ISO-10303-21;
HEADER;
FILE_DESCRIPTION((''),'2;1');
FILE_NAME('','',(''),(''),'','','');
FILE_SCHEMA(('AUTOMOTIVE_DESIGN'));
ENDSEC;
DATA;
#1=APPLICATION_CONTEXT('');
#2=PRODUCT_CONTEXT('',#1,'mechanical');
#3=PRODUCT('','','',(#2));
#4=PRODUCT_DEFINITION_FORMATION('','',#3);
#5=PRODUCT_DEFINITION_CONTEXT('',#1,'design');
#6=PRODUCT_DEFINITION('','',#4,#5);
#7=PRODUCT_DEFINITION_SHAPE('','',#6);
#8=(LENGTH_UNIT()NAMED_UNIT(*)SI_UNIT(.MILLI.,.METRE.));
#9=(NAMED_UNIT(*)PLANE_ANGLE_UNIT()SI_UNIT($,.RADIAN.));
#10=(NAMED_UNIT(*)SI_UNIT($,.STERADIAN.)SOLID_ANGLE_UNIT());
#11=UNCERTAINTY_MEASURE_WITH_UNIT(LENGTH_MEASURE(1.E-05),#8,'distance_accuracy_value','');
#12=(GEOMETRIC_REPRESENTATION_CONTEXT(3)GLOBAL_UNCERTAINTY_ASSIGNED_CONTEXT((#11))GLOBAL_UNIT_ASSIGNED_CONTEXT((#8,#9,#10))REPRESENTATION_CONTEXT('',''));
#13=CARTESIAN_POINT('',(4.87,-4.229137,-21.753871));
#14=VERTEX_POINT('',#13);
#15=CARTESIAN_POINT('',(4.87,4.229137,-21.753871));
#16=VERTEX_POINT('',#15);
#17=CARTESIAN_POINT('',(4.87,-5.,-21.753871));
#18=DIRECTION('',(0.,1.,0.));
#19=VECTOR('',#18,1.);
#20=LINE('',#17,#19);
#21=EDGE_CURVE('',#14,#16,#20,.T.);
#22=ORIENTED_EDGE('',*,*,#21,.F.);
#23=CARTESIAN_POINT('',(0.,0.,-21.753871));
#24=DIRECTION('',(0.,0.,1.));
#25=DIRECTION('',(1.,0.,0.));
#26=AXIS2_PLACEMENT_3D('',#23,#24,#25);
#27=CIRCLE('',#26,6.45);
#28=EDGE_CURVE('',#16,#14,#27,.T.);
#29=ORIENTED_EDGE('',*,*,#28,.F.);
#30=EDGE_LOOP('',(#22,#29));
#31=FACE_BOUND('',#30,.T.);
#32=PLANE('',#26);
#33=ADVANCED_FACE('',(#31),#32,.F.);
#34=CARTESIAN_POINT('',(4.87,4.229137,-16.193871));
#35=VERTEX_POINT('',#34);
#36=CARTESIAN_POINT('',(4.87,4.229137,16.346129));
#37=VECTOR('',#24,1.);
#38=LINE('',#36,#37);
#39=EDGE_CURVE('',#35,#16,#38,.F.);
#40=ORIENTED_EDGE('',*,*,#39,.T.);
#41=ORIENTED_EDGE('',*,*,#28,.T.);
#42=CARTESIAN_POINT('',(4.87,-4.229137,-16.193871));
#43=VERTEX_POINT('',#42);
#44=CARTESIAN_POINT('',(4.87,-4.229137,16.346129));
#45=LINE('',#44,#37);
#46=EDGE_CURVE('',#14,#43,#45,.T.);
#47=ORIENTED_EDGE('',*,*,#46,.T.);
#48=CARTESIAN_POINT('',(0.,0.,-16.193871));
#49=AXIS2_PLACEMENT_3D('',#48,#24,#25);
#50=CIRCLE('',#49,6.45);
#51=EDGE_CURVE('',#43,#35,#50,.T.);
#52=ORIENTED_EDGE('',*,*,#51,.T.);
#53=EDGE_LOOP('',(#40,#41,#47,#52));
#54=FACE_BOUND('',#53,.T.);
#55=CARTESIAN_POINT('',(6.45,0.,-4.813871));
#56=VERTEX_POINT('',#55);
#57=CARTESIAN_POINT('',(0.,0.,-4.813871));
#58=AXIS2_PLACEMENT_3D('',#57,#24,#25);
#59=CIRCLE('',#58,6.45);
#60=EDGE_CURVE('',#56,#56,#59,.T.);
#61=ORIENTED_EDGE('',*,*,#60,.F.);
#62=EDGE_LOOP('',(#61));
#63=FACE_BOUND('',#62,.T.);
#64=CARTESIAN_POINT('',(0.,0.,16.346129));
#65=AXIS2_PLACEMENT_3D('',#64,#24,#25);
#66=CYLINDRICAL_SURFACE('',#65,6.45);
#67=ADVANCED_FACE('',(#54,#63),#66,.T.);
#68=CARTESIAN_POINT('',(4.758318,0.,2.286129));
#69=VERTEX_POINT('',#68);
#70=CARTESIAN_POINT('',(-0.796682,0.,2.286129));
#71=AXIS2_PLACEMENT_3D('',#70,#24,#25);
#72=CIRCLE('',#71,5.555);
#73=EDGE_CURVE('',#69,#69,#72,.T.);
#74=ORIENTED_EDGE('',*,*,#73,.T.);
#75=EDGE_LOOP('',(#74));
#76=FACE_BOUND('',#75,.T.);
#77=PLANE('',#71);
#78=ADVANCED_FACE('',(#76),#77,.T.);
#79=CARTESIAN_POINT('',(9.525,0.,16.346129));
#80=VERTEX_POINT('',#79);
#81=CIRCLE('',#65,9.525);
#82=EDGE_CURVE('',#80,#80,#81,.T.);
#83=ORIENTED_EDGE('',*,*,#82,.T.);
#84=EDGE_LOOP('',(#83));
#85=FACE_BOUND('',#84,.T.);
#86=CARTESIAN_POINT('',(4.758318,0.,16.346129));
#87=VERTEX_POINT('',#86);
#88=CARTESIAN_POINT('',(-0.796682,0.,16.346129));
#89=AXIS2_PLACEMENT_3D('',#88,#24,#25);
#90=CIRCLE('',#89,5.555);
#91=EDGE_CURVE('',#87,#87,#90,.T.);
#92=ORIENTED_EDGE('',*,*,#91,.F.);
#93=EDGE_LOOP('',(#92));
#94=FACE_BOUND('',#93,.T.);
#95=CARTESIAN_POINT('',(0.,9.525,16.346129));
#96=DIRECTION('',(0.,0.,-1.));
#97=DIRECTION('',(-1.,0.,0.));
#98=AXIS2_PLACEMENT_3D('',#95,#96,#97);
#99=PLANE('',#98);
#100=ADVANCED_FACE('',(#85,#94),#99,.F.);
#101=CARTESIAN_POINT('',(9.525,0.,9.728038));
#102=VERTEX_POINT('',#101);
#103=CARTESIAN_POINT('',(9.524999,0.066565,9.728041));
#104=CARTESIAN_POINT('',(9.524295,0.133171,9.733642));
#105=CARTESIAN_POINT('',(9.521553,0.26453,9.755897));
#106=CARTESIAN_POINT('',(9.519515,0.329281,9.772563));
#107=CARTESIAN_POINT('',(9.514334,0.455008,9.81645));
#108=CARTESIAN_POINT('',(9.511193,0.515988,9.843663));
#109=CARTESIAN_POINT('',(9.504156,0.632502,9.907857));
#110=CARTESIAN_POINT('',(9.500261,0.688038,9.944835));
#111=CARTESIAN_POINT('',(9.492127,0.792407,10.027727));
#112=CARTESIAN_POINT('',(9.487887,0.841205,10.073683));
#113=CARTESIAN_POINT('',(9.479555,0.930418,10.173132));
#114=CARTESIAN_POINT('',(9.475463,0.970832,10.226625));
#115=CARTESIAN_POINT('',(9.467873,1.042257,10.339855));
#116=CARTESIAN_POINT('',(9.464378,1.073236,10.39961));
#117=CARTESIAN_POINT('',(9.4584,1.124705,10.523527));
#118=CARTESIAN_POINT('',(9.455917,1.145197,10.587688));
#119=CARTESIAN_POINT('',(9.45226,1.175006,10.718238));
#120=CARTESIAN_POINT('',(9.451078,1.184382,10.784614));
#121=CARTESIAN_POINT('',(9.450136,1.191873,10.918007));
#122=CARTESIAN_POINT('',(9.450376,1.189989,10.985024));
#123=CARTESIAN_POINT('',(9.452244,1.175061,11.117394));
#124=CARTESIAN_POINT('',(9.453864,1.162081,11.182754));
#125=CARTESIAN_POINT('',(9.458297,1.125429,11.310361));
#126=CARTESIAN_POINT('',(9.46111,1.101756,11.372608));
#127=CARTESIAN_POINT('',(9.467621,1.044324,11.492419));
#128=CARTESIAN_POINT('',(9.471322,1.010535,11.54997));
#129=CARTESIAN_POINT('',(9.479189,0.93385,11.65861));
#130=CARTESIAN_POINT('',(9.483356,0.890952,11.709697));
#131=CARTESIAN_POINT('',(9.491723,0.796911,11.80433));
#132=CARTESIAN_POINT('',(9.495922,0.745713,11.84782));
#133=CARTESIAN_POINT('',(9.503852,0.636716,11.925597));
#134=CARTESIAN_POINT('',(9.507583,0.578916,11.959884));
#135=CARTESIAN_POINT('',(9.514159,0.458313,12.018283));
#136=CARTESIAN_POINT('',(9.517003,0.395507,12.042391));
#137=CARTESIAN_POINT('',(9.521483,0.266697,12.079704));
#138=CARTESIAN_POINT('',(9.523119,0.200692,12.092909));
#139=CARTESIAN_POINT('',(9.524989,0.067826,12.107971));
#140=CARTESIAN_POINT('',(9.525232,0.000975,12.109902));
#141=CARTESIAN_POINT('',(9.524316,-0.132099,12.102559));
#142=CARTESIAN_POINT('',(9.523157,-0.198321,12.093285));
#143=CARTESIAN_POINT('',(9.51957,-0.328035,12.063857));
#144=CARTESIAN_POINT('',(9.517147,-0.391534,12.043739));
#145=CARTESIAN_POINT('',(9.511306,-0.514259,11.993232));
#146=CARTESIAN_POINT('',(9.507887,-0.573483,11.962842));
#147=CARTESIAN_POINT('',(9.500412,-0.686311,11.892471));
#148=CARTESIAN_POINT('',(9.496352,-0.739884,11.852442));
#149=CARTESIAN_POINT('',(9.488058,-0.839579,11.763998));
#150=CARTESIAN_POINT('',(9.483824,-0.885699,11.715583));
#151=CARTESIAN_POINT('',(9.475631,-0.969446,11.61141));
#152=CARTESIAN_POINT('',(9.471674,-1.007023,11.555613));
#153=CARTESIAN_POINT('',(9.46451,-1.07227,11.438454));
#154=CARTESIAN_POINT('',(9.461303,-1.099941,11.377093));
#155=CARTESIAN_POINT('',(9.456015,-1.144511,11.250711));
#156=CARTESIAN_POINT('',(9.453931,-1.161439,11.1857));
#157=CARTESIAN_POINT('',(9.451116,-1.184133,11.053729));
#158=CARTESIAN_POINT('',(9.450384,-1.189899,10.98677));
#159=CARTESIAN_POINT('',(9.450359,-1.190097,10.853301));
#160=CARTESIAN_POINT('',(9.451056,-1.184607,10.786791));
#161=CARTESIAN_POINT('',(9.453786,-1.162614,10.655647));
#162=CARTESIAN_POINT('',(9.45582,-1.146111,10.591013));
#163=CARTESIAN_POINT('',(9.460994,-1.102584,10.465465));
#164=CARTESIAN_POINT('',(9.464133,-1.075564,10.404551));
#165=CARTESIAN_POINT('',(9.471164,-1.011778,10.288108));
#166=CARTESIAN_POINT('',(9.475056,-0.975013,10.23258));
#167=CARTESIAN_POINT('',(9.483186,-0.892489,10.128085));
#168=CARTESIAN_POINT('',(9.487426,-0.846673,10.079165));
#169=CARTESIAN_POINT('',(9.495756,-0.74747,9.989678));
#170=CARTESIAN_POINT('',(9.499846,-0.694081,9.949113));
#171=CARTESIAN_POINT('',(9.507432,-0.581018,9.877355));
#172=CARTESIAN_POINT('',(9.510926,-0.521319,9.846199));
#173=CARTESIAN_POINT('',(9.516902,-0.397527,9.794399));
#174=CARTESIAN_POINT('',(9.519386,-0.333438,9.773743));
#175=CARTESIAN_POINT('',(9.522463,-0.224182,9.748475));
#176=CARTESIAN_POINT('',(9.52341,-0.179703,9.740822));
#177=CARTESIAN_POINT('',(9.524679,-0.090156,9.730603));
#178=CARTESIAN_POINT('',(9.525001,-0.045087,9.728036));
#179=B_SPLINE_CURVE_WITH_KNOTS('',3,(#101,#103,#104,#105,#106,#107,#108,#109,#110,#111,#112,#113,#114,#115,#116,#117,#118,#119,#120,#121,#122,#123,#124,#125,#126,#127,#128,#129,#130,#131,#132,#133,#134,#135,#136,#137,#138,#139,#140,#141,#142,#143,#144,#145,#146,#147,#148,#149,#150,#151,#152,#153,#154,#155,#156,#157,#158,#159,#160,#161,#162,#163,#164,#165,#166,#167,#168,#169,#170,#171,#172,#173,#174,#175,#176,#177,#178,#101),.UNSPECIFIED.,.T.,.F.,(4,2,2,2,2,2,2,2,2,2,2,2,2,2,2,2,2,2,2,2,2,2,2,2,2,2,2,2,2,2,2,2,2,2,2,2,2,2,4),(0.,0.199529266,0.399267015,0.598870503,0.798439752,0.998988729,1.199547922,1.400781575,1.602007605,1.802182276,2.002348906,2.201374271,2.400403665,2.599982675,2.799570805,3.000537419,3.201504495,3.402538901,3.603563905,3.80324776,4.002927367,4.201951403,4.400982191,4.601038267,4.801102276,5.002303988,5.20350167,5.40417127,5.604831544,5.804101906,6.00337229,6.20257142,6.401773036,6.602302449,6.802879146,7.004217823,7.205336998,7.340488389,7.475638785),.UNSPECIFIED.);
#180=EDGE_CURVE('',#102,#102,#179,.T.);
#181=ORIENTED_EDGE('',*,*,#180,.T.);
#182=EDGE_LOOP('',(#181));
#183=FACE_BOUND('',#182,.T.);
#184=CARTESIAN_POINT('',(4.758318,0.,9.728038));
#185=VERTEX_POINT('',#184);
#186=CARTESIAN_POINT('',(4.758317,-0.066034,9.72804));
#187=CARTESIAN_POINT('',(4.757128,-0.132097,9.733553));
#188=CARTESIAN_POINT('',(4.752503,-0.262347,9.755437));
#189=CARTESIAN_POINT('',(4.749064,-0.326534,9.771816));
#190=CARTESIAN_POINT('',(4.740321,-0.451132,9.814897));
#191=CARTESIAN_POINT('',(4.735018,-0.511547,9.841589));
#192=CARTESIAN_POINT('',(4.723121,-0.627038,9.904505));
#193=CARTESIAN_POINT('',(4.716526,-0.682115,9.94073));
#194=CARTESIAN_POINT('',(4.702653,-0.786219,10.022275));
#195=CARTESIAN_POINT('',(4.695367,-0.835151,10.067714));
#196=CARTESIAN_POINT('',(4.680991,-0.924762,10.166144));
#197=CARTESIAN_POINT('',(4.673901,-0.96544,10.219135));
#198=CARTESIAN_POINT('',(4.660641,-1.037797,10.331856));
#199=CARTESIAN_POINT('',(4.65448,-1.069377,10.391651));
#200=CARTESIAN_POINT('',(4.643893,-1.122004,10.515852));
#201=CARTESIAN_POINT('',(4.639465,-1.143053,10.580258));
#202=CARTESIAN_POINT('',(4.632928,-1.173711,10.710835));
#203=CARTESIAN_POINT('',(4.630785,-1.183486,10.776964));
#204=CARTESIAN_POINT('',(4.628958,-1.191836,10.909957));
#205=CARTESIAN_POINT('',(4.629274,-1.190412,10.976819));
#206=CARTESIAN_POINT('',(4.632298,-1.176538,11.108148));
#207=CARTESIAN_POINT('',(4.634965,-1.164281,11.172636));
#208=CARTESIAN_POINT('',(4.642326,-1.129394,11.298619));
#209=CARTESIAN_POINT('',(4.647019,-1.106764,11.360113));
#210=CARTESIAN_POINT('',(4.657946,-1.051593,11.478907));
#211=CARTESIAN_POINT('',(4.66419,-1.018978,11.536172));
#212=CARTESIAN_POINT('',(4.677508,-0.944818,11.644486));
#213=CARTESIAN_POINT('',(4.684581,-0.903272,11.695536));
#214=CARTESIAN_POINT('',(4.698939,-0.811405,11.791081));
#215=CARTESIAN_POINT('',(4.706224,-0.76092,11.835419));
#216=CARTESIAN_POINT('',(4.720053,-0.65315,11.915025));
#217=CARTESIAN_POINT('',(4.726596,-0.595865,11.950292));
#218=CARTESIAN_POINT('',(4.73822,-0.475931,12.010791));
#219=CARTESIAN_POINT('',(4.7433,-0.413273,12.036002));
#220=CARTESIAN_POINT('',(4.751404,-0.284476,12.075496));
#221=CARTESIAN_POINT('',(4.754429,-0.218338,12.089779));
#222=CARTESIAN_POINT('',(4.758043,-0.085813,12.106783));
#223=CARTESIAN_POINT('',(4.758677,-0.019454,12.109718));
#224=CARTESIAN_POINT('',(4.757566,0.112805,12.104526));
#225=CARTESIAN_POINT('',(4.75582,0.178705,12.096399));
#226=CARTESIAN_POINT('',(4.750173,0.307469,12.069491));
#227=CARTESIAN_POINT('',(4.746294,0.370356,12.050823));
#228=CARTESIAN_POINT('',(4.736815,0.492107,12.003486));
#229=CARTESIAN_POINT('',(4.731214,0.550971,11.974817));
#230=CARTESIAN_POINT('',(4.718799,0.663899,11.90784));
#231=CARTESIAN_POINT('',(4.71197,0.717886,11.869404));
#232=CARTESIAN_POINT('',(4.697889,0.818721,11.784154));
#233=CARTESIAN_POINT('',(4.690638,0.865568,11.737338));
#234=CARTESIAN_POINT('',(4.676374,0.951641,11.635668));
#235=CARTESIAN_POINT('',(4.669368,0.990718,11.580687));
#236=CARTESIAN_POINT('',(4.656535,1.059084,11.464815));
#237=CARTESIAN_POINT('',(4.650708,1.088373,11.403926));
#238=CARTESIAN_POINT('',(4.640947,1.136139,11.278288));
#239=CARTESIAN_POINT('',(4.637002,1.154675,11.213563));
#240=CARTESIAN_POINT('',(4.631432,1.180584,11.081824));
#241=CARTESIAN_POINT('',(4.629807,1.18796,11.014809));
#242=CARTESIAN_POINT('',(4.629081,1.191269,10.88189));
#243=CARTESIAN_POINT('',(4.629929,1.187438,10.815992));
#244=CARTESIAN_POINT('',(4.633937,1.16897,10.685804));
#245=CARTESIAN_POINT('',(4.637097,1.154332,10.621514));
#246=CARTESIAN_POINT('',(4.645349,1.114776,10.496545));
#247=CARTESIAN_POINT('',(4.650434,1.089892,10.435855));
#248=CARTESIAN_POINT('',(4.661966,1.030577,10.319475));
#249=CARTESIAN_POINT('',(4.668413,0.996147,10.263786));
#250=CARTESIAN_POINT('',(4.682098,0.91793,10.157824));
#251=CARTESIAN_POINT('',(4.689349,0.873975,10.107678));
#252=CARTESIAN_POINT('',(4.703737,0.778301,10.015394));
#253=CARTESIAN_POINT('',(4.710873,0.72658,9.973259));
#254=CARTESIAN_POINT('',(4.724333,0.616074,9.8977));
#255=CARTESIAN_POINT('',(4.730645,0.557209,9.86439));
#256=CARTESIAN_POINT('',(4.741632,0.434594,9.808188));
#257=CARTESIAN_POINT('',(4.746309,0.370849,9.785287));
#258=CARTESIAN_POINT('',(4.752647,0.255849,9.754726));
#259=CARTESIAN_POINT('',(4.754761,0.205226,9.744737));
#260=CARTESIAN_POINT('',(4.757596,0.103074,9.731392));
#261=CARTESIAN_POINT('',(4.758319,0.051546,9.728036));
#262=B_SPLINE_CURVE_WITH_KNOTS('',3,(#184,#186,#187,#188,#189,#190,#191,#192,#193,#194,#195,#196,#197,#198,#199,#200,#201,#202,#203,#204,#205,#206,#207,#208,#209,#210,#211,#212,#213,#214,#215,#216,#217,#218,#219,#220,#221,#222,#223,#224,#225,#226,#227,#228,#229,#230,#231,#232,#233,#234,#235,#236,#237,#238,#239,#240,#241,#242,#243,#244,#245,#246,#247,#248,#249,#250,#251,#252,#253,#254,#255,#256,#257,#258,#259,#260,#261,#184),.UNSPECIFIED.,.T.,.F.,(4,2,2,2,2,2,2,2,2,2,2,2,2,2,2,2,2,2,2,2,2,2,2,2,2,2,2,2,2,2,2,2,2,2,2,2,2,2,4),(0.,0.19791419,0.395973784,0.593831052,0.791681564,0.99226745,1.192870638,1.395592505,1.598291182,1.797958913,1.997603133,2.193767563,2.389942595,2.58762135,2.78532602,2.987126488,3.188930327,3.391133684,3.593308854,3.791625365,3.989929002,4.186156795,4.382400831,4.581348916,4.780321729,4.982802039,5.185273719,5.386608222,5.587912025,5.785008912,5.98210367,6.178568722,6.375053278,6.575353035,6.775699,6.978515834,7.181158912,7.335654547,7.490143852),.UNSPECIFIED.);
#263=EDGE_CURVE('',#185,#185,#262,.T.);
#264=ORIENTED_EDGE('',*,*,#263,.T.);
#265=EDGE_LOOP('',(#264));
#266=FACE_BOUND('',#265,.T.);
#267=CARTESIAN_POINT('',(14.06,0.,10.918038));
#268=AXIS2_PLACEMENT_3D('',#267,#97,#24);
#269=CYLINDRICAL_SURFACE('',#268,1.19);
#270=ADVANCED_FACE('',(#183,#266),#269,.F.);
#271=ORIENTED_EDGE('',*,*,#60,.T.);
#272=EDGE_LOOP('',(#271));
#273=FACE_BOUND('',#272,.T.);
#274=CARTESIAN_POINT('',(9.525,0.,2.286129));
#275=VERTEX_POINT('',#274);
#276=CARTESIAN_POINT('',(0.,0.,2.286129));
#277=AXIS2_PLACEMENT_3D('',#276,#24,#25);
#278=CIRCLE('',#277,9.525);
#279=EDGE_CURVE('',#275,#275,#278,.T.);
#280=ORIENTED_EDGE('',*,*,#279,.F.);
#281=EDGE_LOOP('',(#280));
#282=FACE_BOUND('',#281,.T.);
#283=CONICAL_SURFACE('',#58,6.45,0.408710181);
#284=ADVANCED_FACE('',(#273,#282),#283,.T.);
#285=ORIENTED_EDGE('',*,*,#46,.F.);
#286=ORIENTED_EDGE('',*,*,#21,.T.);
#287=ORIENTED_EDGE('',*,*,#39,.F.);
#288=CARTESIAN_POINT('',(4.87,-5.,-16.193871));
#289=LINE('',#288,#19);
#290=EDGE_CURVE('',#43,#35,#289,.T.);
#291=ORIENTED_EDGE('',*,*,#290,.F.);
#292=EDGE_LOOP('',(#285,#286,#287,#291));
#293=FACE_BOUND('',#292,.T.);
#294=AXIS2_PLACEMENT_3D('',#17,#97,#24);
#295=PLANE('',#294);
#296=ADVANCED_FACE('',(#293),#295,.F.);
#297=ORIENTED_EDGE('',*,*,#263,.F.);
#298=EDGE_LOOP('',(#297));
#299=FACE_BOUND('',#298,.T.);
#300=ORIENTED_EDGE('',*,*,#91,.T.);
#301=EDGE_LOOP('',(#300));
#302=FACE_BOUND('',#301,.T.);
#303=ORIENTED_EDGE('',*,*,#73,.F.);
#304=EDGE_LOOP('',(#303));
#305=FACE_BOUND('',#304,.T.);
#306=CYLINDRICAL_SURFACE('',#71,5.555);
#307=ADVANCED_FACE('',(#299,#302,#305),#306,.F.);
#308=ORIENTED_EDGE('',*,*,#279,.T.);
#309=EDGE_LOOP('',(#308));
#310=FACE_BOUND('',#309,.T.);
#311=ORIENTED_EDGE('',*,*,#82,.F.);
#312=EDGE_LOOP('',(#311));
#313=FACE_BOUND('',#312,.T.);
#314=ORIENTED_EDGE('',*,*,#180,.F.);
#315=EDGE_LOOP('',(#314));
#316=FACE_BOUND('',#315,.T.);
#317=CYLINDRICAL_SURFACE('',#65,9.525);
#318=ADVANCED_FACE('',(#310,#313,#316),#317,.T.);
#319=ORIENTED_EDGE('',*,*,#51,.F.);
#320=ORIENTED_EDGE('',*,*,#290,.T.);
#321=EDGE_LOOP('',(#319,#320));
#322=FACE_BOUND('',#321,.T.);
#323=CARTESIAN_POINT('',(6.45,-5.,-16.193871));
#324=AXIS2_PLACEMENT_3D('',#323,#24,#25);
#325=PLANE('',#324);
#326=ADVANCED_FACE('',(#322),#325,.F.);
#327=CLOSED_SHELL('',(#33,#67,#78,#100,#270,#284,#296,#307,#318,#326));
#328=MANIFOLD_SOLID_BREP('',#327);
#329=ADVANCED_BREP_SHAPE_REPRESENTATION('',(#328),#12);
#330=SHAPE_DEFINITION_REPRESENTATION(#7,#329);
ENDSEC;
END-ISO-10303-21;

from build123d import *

# Parameters (mm, degrees)
IZIM2_W               = 1.58
IZIM2_H               = 5.56
KES_EKSTR_ZYON1_DEPTH = 5
IZIM6_R               = 5.555
KES_EKSTR_ZYON2_DEPTH = 14.06
IZIM9_R               = 1.19
KES_EKSTR_ZYON3_DEPTH = 14.06


with BuildPart() as part:
    # Çizim1 → Döndür2 (revolve)
    with BuildSketch(Plane(origin=(0, 0, 0), x_dir=(0, 0, -1), z_dir=(1, 0, 0)), mode=Mode.PRIVATE) as d_nd_r2_sk:
        Polygon((-16.346129032, 9.525), (-2.286129032, 9.525), (4.813870968, 6.45), (21.753870968, 6.45), (21.753870968, 0), (-16.346129032, 0), align=None)
    revolve(d_nd_r2_sk.sketch.rotate(Axis((0, 0, 16.346129032), (0, 0, -1)), 90), axis=Axis((0, 0, 16.346129032), (0, 0, -1)))

    # Çizim2 → Kes-Ekstrüzyon1 (cut, symmetric)
    with BuildSketch(Plane(origin=(0, 0, 0), x_dir=(1, 0, 0), z_dir=(0, 1, 0))):
        with Locations((5.66, 18.973870968)):
            Rectangle(IZIM2_W, IZIM2_H)
    extrude(amount=KES_EKSTR_ZYON1_DEPTH, both=True, mode=Mode.SUBTRACT)

    # Çizim6 → Kes-Ekstrüzyon2 (cut)
    with BuildSketch(Plane.XY.offset(16.346129032)):
        with Locations((-0.796682274, 0)):
            Circle(IZIM6_R)
    extrude(amount=-KES_EKSTR_ZYON2_DEPTH, mode=Mode.SUBTRACT)

    # Çizim9 → Kes-Ekstrüzyon3 (cut)
    with BuildSketch(Plane(origin=(0, 0, 0), x_dir=(0, 0, -1), z_dir=(1, 0, 0))):
        with Locations(Location((-10.918037958, 0, 0), (0, 0, 180))):
            Circle(IZIM9_R)
    extrude(amount=KES_EKSTR_ZYON3_DEPTH, mode=Mode.SUBTRACT)


solid = part.part
